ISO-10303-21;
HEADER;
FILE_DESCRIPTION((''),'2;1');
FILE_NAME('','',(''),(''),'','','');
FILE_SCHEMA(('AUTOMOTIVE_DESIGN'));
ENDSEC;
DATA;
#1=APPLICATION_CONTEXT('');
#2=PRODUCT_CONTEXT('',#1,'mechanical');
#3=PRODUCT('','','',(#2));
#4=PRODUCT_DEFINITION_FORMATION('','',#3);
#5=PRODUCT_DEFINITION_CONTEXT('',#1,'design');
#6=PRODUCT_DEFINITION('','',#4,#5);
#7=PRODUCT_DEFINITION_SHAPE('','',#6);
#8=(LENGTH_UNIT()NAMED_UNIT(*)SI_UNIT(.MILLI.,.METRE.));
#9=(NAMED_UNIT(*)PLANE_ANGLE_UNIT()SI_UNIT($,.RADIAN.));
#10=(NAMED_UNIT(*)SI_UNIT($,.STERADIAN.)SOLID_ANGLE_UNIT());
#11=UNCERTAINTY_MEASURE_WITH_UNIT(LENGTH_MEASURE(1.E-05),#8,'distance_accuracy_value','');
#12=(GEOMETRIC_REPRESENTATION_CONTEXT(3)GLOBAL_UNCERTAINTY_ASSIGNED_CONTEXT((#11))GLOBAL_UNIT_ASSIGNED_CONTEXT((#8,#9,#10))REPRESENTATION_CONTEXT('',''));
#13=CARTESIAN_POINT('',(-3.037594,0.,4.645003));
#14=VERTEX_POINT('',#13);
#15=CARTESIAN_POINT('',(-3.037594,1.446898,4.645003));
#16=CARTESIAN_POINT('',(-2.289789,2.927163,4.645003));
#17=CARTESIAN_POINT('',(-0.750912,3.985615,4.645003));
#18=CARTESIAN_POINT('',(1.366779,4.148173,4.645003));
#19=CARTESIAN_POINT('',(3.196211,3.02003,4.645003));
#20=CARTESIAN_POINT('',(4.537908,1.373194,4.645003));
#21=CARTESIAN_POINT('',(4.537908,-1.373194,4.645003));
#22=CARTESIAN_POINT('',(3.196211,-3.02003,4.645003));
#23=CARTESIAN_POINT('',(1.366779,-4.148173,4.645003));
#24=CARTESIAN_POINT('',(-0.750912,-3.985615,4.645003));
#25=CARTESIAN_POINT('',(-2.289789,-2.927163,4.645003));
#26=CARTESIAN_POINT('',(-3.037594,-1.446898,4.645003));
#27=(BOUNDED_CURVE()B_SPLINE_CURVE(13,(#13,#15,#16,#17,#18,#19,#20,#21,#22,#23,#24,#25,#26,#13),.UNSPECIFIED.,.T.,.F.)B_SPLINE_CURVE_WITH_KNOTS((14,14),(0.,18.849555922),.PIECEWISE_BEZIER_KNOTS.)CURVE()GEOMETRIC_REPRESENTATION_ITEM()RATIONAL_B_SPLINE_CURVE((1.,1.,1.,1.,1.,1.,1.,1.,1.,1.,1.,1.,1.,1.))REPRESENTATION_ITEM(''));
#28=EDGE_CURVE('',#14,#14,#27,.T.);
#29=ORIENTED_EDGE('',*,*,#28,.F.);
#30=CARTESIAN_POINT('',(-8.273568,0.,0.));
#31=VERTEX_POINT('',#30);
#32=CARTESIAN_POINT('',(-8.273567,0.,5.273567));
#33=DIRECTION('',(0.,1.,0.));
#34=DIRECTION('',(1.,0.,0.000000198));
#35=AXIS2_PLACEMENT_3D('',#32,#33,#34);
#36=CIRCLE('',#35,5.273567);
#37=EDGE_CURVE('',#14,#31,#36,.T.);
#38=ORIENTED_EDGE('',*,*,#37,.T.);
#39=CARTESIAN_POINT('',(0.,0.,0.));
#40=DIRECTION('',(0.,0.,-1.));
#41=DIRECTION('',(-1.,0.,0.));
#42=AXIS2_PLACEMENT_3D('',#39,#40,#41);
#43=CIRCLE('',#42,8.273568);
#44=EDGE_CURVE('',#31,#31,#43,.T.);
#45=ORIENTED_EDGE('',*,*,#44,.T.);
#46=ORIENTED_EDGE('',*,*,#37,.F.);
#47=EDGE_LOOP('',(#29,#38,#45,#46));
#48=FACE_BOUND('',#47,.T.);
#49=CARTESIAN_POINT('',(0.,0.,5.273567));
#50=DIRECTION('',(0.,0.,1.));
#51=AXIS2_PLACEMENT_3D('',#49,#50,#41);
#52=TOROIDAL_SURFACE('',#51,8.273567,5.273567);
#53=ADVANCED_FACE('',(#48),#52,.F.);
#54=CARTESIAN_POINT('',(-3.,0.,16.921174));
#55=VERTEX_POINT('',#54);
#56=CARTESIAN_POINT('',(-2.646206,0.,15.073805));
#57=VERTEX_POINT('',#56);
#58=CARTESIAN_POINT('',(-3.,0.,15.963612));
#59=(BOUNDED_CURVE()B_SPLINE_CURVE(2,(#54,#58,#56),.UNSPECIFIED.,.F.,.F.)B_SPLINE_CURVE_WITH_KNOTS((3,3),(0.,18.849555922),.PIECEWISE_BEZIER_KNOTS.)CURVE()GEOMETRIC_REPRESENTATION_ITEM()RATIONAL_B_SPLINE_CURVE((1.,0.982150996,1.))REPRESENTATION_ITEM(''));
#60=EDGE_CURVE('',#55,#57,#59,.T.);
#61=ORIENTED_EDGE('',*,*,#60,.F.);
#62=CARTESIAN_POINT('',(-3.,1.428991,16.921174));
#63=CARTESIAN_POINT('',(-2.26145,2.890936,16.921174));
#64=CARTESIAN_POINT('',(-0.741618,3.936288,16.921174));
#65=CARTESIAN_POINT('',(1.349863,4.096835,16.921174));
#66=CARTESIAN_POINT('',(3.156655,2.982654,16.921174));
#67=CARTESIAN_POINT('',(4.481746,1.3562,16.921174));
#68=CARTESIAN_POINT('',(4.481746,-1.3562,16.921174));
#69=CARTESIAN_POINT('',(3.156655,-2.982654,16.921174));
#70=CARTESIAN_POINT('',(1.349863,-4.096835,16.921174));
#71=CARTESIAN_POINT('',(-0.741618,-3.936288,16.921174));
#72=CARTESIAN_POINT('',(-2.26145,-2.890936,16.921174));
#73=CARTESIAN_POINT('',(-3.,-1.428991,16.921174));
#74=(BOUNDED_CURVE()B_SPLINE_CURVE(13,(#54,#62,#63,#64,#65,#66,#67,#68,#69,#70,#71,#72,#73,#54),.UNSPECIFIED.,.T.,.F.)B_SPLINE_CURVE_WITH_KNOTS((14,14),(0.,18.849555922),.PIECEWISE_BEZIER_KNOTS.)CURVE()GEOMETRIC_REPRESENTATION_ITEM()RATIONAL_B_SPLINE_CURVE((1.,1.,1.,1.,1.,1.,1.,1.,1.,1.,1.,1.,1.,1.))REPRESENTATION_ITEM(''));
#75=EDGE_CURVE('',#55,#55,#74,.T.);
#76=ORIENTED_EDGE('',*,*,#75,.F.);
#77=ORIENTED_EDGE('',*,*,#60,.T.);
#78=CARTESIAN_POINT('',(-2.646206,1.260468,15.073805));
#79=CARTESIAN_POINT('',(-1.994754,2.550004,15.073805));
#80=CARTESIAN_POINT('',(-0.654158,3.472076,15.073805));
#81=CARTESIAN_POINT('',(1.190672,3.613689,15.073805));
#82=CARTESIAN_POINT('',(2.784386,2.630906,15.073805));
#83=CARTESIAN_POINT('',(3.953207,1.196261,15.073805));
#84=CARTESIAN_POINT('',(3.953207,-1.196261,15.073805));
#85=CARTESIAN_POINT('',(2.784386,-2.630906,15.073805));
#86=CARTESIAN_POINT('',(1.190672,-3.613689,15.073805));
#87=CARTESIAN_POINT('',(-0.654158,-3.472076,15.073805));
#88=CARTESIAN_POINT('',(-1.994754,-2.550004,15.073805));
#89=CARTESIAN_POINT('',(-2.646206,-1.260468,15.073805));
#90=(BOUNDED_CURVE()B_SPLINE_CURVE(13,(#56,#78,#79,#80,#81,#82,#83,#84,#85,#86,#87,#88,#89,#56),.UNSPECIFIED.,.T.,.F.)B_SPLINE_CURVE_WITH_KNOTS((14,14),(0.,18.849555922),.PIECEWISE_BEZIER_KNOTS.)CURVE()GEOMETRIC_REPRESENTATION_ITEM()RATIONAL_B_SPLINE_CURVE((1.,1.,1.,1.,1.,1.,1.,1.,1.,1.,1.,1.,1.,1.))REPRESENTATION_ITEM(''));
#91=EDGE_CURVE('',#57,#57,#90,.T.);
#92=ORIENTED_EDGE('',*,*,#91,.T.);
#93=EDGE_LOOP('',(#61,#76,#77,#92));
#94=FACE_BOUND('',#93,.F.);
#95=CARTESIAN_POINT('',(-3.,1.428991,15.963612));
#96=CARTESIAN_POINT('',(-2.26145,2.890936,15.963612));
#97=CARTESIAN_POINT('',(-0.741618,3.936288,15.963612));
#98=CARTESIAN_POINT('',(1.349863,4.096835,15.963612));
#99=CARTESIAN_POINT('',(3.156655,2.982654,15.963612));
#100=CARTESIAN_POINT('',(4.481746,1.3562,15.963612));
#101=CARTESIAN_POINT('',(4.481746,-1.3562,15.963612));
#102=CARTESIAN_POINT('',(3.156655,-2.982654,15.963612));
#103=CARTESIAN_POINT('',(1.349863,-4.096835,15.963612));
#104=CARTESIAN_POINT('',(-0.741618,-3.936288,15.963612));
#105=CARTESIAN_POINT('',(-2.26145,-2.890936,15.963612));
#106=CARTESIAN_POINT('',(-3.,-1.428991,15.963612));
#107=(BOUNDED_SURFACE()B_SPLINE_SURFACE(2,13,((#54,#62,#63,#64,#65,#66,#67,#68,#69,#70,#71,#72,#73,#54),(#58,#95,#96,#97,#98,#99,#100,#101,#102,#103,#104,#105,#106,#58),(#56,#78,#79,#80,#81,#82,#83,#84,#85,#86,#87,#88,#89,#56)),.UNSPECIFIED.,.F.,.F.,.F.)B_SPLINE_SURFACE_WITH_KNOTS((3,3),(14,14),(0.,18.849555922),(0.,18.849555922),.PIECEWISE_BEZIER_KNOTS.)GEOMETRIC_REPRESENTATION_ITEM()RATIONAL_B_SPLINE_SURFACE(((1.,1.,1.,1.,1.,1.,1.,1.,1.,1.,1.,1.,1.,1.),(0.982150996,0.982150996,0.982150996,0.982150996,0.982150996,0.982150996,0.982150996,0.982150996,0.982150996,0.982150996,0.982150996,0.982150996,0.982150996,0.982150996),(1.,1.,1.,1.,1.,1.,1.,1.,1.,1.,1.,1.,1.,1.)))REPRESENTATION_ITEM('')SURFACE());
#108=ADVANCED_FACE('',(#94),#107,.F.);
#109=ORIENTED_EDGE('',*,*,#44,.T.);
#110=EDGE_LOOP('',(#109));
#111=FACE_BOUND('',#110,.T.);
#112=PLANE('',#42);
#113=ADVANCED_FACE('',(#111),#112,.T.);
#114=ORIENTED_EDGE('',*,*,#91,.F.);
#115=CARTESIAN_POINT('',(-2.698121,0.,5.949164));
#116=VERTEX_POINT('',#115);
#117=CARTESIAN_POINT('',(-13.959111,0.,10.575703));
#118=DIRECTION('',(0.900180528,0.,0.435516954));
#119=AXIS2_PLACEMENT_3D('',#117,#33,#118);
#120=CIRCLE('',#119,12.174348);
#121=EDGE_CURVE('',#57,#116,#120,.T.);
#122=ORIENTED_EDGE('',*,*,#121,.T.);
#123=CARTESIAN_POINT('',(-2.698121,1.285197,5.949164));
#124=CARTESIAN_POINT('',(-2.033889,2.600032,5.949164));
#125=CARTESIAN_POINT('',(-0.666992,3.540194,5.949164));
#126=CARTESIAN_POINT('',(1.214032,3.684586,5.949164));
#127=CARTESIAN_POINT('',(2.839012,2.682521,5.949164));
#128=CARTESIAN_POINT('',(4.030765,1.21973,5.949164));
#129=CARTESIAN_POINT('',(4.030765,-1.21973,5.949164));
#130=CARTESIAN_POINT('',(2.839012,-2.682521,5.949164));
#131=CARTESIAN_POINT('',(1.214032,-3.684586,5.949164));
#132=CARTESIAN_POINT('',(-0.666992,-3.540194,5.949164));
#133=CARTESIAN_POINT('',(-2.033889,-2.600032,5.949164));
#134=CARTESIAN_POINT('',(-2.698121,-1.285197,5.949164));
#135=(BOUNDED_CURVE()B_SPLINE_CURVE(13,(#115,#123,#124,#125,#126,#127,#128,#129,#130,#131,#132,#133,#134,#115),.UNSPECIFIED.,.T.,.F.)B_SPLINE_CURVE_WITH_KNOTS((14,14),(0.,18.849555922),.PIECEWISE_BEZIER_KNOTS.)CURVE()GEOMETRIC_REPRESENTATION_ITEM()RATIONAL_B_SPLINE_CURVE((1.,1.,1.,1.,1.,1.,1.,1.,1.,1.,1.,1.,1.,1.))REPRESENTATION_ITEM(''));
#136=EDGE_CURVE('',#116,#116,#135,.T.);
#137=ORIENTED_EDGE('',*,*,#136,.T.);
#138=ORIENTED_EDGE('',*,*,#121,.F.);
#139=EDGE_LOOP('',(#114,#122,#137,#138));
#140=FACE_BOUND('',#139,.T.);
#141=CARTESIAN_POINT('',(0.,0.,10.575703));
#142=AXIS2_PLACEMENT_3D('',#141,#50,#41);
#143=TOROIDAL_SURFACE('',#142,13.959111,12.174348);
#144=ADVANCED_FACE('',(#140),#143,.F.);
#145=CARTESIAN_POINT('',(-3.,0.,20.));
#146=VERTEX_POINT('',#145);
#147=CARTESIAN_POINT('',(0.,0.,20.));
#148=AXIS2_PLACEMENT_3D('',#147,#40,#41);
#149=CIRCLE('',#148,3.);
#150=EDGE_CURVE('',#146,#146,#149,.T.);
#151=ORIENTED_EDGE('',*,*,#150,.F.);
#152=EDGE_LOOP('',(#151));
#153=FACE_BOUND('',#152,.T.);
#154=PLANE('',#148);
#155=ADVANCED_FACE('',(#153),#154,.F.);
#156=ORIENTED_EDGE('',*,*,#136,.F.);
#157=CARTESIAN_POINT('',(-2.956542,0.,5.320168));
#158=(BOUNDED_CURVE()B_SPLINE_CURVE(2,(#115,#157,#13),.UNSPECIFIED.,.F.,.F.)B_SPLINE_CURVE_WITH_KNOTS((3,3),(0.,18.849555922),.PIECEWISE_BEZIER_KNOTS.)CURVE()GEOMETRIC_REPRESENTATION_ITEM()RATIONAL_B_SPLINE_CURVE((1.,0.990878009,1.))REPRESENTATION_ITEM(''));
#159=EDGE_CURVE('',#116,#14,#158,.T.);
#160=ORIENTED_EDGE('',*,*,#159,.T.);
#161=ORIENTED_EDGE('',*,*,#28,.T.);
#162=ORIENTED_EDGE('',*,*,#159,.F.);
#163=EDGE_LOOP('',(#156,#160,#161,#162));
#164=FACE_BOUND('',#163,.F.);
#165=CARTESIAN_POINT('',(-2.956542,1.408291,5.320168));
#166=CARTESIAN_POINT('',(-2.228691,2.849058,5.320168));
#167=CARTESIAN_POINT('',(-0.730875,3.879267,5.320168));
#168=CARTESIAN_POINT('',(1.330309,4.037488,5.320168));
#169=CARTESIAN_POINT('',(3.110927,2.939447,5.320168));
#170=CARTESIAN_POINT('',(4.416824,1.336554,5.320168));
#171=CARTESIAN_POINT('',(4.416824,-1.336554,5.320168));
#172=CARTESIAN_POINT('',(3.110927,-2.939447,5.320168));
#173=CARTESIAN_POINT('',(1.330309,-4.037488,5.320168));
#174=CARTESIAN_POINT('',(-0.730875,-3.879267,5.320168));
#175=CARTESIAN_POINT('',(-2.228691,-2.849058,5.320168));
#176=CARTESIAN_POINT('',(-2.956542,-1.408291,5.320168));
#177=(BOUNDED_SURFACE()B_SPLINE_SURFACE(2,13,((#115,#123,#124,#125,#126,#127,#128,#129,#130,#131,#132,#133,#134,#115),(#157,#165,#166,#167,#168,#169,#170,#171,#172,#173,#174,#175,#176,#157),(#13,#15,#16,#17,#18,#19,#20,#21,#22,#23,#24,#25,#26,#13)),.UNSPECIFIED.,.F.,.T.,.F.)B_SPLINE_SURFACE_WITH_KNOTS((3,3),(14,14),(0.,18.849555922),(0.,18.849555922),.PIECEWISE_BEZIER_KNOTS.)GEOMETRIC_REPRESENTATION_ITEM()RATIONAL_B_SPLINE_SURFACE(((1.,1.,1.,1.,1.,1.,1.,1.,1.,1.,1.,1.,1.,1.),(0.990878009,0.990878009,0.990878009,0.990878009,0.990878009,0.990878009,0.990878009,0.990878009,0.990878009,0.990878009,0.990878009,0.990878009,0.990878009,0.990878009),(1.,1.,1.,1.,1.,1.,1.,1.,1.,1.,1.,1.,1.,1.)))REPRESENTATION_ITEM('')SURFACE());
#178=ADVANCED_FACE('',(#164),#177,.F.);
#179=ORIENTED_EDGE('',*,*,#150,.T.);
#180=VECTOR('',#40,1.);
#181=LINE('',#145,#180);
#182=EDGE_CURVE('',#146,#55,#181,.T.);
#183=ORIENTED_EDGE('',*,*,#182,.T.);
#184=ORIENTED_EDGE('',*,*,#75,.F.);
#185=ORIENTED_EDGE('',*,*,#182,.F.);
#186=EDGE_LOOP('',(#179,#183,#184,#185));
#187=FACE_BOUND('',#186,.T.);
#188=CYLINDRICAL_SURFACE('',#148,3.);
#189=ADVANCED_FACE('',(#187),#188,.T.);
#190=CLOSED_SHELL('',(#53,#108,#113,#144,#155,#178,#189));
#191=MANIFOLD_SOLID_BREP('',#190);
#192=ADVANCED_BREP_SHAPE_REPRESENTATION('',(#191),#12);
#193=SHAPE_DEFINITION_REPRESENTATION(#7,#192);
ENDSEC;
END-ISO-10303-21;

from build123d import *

# Parameters (mm, degrees)
F2_R = 5


with BuildPart() as f1:
    # F0 (on Front) → F1 (revolve)
    with BuildSketch(Plane.XZ):
        with BuildLine():
            Line((-3, 5.273568), (-3, 0))
            Line((-3, 0), (0, 0))
            Line((0, 0), (0, 20))
            Line((0, 20), (-3, 20))
            Line((-3, 20), (-3, 15.877838))
            ThreePointArc((-3, 15.877838), (-1.784763, 10.575703), (-3, 5.273568))
        make_face()
        with BuildLine():
            Line((-8.273568, 0), (-3, 0))
            Line((-3, 0), (-3, 5.273568))
            ThreePointArc((-3, 5.273568), (-4.544592, 1.544592), (-8.273568, 0))
        make_face()
    revolve(axis=Axis((0, 0, 10), (0, 0, -1)))

    # F2
    f2_edges = [f1.edges().sort_by_distance(p)[0] for p in [
        (3, 0, 15.877838),
        (3, 0, 5.273568),
    ]]
    fillet(f2_edges, radius=F2_R)


solid = f1.part
